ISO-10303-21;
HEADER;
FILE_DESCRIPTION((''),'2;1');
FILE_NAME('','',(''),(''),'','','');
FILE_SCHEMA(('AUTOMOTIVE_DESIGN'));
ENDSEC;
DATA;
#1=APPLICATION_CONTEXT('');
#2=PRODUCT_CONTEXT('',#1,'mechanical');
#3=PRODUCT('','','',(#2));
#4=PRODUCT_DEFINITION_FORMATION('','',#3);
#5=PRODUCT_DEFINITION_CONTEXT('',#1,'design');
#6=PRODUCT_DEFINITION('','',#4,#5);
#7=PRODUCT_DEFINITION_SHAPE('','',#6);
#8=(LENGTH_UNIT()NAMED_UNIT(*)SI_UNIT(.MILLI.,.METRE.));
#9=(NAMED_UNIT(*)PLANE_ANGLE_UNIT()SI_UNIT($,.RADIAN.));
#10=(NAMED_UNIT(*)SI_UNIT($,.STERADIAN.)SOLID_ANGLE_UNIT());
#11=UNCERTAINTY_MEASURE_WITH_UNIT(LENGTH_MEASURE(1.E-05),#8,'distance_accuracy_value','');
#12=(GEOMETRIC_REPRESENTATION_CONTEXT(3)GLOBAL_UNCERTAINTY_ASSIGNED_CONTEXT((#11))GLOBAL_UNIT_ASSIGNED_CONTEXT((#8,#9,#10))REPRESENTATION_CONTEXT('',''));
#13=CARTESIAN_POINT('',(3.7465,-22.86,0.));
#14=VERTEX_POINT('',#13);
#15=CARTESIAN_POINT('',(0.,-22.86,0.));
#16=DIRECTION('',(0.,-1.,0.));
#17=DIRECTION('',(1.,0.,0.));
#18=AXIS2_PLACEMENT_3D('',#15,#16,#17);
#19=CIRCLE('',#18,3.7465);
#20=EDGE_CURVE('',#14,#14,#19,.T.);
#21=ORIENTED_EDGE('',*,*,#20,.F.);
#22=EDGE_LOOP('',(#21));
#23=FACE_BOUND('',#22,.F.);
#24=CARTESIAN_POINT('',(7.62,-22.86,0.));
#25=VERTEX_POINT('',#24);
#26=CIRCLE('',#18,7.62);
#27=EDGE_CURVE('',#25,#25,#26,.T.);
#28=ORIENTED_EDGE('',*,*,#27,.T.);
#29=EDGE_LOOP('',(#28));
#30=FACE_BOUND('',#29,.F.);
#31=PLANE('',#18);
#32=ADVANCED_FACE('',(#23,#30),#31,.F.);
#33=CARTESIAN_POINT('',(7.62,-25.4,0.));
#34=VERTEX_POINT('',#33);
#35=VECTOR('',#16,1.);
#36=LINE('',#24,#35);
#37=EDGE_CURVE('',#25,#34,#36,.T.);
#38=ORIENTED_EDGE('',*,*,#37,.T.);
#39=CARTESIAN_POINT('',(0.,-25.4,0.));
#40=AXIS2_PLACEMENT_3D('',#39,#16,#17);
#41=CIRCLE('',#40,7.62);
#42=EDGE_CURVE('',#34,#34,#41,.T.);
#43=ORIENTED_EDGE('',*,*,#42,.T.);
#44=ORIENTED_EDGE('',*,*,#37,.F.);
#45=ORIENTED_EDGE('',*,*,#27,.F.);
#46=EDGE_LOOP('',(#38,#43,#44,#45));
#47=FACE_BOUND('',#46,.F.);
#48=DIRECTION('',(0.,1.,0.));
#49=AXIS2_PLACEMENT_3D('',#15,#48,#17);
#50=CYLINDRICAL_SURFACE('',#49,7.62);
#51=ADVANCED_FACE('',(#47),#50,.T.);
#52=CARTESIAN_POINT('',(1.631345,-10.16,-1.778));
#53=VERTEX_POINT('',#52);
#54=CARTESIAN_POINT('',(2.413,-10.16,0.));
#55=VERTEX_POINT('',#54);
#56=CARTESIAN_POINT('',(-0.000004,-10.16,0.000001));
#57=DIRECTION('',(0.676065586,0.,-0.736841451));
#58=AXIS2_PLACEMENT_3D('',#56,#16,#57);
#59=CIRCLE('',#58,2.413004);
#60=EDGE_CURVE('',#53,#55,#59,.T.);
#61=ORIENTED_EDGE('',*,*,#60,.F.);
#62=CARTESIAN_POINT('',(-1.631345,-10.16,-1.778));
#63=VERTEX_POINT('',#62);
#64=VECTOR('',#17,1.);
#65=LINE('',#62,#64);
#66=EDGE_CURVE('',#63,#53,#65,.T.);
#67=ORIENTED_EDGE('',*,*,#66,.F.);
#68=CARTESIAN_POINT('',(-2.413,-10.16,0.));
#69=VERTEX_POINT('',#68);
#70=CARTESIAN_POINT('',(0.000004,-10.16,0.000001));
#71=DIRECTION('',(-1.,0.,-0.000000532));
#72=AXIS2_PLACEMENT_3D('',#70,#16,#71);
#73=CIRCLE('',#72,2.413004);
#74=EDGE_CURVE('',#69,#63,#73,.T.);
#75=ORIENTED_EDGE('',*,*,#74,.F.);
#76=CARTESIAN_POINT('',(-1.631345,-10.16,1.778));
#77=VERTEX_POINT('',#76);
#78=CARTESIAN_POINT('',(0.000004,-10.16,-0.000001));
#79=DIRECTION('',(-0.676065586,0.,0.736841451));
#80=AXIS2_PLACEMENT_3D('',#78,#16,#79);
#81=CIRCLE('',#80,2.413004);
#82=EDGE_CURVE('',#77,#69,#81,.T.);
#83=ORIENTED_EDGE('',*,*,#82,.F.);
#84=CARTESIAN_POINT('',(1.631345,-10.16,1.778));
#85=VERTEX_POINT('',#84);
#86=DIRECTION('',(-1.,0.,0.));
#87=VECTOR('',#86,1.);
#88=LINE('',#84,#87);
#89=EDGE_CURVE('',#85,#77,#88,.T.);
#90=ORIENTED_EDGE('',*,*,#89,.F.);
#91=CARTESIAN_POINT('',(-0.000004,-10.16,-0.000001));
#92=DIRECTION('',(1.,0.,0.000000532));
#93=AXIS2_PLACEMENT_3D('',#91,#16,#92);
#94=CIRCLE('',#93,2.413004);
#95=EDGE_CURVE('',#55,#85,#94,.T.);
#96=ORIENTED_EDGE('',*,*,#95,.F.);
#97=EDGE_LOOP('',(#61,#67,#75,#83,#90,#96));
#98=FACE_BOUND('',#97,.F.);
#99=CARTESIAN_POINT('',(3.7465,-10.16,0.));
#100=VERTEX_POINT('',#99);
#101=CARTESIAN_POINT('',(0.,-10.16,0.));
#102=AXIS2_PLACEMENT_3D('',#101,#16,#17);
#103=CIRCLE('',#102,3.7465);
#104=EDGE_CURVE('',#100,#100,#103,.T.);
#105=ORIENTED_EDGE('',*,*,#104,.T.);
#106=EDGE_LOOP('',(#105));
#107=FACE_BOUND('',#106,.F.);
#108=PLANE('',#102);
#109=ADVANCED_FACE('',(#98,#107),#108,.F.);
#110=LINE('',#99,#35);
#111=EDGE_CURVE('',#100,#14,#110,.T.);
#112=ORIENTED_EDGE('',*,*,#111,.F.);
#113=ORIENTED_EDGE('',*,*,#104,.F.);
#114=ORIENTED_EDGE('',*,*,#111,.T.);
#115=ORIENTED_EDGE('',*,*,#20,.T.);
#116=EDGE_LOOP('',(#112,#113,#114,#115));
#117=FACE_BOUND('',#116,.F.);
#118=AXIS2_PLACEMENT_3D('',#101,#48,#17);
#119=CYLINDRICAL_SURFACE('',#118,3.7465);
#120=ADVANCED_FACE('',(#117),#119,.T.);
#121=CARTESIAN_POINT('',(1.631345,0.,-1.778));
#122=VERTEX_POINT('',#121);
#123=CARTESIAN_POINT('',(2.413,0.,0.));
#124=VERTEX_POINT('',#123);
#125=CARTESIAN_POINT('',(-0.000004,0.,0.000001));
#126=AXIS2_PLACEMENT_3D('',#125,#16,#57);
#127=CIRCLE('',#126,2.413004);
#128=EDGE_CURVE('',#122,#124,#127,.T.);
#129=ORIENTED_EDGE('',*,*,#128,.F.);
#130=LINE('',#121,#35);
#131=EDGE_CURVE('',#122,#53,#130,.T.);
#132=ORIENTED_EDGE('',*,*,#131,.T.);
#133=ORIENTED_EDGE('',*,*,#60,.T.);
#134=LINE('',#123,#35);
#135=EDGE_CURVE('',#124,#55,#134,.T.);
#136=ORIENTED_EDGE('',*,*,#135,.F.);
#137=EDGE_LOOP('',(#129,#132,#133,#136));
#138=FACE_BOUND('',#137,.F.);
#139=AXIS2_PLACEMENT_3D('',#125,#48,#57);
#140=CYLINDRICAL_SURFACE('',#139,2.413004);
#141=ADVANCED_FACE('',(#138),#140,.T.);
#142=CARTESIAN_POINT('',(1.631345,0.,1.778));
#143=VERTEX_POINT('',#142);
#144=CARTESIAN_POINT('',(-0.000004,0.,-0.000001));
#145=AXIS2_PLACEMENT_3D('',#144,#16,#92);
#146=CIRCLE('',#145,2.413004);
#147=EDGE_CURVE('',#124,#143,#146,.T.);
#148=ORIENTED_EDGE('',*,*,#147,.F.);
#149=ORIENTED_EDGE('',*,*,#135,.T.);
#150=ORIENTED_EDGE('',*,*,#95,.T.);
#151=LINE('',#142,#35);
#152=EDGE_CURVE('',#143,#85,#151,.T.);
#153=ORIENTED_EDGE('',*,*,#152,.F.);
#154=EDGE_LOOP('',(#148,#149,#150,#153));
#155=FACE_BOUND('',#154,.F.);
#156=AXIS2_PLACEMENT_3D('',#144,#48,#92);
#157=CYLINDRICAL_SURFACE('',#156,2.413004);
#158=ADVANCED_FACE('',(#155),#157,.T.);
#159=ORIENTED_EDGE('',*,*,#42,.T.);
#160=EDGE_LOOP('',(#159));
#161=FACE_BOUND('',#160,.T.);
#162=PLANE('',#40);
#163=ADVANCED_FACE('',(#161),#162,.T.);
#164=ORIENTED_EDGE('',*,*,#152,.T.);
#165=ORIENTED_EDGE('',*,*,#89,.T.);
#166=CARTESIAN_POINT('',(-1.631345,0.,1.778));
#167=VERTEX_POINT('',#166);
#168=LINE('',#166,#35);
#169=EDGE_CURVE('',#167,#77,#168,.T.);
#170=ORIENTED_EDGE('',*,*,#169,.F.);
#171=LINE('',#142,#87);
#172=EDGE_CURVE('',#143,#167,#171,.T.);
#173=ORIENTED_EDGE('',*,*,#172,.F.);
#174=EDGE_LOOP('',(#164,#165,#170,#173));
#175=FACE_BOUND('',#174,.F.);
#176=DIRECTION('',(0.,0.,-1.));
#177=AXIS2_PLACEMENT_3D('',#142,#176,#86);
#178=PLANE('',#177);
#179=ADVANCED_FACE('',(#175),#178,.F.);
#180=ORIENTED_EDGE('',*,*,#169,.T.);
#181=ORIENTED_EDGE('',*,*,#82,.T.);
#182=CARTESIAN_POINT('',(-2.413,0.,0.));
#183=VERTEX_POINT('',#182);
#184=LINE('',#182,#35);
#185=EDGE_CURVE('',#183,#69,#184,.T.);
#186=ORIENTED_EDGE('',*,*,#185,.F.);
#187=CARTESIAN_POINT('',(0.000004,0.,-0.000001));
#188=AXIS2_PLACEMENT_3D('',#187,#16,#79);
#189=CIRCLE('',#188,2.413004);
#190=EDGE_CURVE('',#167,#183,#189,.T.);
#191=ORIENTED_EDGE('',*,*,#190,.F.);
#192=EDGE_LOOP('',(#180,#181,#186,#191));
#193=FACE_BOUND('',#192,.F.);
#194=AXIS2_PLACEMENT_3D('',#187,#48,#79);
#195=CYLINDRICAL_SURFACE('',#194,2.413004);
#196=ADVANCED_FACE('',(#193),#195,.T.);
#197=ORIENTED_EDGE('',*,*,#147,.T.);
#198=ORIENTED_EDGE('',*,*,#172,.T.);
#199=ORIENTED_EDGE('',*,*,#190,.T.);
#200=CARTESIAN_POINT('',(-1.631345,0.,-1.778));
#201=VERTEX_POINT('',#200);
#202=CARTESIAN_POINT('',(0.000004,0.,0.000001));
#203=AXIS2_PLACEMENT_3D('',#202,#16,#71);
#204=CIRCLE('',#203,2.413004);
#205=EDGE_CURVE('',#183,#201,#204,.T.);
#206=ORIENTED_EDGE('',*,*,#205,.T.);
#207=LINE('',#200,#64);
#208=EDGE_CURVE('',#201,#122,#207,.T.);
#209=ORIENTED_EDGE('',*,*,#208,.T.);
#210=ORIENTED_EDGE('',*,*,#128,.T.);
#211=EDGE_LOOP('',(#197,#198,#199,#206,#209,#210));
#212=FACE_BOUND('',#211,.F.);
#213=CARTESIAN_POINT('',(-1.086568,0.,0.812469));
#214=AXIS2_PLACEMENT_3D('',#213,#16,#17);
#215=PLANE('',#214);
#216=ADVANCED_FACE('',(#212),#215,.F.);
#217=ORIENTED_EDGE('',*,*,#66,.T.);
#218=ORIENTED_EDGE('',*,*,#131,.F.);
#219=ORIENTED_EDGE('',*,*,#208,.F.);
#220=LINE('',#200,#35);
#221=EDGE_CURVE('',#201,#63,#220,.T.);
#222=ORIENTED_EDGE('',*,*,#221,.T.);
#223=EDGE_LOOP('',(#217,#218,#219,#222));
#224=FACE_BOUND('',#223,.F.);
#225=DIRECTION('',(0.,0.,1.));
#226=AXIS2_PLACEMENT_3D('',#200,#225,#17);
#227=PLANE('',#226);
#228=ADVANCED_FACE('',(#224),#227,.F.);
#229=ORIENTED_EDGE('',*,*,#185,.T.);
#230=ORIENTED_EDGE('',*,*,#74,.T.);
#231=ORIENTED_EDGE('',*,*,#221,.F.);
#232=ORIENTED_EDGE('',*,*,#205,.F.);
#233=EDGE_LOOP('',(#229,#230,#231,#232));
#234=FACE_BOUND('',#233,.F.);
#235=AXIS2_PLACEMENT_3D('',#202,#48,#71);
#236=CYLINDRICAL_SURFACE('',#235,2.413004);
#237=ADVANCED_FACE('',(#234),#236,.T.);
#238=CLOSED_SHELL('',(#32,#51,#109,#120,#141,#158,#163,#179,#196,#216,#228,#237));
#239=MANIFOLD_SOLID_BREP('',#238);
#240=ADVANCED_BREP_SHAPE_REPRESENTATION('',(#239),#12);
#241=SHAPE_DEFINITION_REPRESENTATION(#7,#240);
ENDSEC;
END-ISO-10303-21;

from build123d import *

# Parameters (mm, degrees)
F1_DEPTH = 10.16
F2_R     = 3.7465
F3_DEPTH = 12.7
F4_R     = 7.62
F5_DEPTH = 2.54


with BuildPart() as f1:
    # F0 (on Front) → F1 (new body)
    with BuildSketch(Plane.XZ):
        with BuildLine():
            Line((-2.413, 0), (0, 0))
            Line((0, 0), (0, 1.778))
            Line((0, 1.778), (-1.631345, 1.778))
            ThreePointArc((-1.631345, 1.778), (-2.208959, 0.971117), (-2.413, 0))
        make_face()
        with BuildLine():
            Line((2.413, 0), (0, 0))
            Line((0, 0), (0, -1.778))
            Line((0, -1.778), (1.631345, -1.778))
            ThreePointArc((1.631345, -1.778), (2.208959, -0.971117), (2.413, 0))
        make_face()
        with BuildLine():
            Line((0, -1.778), (0, 0))
            Line((0, 0), (-2.413, 0))
            ThreePointArc((-2.413, 0), (-2.208959, -0.971117), (-1.631345, -1.778))
            Line((-1.631345, -1.778), (0, -1.778))
        make_face()
        with BuildLine():
            Line((0, 1.778), (0, 0))
            Line((0, 0), (2.413, 0))
            ThreePointArc((2.413, 0), (2.208959, 0.971117), (1.631345, 1.778))
            Line((1.631345, 1.778), (0, 1.778))
        make_face()
    extrude(amount=F1_DEPTH)

    # F2 (on face) → F3 (join)
    with BuildSketch(Plane.XZ.offset(10.16)):
        Circle(F2_R)
    extrude(amount=F3_DEPTH)

    # F4 (on face) → F5 (join)
    with BuildSketch(Plane.XZ.offset(22.86)):
        Circle(F4_R)
    extrude(amount=F5_DEPTH)


solid = f1.part
